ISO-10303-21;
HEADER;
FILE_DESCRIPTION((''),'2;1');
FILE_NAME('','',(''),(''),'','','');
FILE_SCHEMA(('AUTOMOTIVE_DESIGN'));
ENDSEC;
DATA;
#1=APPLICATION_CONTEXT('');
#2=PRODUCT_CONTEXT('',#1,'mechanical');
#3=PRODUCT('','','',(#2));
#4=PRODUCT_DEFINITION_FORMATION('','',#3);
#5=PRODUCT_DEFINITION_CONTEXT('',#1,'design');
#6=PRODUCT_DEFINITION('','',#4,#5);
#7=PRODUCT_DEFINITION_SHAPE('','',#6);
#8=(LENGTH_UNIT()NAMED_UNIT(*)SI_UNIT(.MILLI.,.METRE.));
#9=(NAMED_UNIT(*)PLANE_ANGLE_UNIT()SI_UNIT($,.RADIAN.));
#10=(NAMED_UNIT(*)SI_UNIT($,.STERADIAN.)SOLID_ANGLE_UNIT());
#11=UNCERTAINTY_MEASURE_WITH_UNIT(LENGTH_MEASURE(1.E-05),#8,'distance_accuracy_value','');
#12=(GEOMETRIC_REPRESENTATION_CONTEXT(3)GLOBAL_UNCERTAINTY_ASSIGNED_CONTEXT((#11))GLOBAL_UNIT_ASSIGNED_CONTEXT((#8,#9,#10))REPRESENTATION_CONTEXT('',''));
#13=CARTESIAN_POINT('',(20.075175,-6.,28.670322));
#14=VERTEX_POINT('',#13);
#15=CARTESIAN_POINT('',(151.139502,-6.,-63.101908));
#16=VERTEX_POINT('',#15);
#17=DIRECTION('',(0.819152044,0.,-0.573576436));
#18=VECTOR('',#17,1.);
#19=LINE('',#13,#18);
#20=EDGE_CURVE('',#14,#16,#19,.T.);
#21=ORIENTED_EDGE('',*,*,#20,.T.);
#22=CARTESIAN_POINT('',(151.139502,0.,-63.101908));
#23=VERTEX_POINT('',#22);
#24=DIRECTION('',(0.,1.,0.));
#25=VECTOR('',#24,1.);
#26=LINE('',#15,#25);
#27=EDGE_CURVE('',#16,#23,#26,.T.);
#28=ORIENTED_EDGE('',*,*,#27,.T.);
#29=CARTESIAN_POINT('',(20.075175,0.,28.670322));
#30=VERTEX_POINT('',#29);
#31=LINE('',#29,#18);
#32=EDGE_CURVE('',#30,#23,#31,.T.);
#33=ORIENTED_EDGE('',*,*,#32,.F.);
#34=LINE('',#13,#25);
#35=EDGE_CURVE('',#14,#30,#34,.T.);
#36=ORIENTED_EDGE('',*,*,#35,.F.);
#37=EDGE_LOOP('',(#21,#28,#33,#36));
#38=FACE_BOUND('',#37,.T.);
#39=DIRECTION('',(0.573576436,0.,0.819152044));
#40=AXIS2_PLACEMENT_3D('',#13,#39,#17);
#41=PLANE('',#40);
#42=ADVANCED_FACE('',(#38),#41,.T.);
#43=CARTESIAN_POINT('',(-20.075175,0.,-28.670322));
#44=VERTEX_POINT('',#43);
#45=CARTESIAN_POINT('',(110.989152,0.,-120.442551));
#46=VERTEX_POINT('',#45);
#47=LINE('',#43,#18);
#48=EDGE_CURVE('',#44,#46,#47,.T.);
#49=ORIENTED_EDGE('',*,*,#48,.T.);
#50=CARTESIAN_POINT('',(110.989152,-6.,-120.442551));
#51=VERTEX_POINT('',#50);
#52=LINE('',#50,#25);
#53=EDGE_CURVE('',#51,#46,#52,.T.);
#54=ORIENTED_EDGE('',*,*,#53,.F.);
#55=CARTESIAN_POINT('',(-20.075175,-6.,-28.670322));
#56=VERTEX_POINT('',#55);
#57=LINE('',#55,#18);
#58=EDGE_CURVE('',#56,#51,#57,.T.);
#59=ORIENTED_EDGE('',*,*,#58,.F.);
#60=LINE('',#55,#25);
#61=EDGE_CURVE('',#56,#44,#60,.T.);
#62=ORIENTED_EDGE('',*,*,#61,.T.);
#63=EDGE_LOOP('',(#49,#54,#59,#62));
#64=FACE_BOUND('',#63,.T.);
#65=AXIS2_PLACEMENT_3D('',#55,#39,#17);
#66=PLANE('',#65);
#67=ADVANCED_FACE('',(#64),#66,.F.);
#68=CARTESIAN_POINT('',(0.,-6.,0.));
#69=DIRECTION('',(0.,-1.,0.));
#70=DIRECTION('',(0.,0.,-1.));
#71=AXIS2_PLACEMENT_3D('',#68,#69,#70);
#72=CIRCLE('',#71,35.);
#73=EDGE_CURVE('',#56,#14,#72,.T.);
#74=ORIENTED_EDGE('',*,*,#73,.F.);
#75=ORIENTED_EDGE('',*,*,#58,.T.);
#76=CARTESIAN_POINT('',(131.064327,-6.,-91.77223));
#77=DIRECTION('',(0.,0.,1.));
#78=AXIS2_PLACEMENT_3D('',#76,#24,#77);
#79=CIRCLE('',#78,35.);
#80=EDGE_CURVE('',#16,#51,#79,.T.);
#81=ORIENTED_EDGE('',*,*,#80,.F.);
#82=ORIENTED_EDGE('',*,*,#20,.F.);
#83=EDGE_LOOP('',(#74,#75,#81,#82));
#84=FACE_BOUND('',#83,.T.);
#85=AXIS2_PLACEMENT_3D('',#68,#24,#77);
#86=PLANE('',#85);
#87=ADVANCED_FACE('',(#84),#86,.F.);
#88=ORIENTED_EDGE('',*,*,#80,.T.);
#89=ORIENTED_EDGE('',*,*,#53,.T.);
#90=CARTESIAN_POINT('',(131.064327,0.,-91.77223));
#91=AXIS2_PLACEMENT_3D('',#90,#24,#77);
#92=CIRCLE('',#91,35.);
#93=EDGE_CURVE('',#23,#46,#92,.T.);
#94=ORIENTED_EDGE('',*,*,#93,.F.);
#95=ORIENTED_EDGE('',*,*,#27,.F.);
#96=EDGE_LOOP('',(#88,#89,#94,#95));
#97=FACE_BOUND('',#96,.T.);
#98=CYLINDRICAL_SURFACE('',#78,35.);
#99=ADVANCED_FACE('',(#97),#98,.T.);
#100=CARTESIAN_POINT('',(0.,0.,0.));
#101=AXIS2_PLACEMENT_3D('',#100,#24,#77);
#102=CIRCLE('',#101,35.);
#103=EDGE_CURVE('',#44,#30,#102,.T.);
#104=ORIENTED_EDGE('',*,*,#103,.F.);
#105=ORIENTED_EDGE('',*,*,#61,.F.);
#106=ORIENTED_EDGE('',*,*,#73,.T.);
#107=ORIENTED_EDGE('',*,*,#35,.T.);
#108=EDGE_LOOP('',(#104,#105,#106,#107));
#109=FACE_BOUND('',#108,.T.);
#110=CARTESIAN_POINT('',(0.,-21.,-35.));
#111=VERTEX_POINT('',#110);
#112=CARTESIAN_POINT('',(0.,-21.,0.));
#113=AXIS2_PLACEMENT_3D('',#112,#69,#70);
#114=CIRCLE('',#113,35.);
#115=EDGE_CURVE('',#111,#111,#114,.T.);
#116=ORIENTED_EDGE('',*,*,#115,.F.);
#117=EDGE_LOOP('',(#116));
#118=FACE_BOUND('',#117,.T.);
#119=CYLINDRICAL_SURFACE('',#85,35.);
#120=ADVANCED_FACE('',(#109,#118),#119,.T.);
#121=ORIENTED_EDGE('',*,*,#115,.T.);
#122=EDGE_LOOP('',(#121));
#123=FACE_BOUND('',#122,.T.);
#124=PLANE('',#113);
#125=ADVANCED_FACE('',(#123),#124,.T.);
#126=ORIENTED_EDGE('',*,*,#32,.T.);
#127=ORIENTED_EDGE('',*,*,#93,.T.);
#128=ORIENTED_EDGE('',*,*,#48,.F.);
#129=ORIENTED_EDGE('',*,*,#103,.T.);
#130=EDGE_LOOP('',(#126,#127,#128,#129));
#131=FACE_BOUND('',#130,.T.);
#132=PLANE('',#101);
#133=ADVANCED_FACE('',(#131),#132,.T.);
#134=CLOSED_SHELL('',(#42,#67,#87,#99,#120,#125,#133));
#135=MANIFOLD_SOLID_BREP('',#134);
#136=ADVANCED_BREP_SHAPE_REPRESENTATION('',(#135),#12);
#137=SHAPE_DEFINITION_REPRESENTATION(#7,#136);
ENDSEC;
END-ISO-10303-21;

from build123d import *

# Parameters (mm, degrees)
BOSS_EXTRUDE1_DEPTH = 6
SKETCH2_R           = 35
BOSS_EXTRUDE2_DEPTH = 15


with BuildPart() as part:
    # Sketch1 → Boss-Extrude1 (new body)
    with BuildSketch(Plane(origin=(0, 0, 0), x_dir=(1, 0, 0), z_dir=(0, 1, 0))):
        with BuildLine():
            Line((-20.075175272, 28.67032155), (110.989151814, 120.442551366))
            ThreePointArc((110.989151814, 120.442551366), (159.734648636, 111.847405088), (151.139502359, 63.101908266))
            Line((151.139502359, 63.101908266), (20.075175272, -28.67032155))
            ThreePointArc((20.075175272, -28.67032155), (-28.67032155, -20.075175272), (-20.075175272, 28.67032155))
        make_face()
    extrude(amount=-BOSS_EXTRUDE1_DEPTH)

    # Sketch2 → Boss-Extrude2 (add)
    with BuildSketch(Plane.XZ.offset(6)):
        Circle(SKETCH2_R)
    extrude(amount=BOSS_EXTRUDE2_DEPTH)


solid = part.part
